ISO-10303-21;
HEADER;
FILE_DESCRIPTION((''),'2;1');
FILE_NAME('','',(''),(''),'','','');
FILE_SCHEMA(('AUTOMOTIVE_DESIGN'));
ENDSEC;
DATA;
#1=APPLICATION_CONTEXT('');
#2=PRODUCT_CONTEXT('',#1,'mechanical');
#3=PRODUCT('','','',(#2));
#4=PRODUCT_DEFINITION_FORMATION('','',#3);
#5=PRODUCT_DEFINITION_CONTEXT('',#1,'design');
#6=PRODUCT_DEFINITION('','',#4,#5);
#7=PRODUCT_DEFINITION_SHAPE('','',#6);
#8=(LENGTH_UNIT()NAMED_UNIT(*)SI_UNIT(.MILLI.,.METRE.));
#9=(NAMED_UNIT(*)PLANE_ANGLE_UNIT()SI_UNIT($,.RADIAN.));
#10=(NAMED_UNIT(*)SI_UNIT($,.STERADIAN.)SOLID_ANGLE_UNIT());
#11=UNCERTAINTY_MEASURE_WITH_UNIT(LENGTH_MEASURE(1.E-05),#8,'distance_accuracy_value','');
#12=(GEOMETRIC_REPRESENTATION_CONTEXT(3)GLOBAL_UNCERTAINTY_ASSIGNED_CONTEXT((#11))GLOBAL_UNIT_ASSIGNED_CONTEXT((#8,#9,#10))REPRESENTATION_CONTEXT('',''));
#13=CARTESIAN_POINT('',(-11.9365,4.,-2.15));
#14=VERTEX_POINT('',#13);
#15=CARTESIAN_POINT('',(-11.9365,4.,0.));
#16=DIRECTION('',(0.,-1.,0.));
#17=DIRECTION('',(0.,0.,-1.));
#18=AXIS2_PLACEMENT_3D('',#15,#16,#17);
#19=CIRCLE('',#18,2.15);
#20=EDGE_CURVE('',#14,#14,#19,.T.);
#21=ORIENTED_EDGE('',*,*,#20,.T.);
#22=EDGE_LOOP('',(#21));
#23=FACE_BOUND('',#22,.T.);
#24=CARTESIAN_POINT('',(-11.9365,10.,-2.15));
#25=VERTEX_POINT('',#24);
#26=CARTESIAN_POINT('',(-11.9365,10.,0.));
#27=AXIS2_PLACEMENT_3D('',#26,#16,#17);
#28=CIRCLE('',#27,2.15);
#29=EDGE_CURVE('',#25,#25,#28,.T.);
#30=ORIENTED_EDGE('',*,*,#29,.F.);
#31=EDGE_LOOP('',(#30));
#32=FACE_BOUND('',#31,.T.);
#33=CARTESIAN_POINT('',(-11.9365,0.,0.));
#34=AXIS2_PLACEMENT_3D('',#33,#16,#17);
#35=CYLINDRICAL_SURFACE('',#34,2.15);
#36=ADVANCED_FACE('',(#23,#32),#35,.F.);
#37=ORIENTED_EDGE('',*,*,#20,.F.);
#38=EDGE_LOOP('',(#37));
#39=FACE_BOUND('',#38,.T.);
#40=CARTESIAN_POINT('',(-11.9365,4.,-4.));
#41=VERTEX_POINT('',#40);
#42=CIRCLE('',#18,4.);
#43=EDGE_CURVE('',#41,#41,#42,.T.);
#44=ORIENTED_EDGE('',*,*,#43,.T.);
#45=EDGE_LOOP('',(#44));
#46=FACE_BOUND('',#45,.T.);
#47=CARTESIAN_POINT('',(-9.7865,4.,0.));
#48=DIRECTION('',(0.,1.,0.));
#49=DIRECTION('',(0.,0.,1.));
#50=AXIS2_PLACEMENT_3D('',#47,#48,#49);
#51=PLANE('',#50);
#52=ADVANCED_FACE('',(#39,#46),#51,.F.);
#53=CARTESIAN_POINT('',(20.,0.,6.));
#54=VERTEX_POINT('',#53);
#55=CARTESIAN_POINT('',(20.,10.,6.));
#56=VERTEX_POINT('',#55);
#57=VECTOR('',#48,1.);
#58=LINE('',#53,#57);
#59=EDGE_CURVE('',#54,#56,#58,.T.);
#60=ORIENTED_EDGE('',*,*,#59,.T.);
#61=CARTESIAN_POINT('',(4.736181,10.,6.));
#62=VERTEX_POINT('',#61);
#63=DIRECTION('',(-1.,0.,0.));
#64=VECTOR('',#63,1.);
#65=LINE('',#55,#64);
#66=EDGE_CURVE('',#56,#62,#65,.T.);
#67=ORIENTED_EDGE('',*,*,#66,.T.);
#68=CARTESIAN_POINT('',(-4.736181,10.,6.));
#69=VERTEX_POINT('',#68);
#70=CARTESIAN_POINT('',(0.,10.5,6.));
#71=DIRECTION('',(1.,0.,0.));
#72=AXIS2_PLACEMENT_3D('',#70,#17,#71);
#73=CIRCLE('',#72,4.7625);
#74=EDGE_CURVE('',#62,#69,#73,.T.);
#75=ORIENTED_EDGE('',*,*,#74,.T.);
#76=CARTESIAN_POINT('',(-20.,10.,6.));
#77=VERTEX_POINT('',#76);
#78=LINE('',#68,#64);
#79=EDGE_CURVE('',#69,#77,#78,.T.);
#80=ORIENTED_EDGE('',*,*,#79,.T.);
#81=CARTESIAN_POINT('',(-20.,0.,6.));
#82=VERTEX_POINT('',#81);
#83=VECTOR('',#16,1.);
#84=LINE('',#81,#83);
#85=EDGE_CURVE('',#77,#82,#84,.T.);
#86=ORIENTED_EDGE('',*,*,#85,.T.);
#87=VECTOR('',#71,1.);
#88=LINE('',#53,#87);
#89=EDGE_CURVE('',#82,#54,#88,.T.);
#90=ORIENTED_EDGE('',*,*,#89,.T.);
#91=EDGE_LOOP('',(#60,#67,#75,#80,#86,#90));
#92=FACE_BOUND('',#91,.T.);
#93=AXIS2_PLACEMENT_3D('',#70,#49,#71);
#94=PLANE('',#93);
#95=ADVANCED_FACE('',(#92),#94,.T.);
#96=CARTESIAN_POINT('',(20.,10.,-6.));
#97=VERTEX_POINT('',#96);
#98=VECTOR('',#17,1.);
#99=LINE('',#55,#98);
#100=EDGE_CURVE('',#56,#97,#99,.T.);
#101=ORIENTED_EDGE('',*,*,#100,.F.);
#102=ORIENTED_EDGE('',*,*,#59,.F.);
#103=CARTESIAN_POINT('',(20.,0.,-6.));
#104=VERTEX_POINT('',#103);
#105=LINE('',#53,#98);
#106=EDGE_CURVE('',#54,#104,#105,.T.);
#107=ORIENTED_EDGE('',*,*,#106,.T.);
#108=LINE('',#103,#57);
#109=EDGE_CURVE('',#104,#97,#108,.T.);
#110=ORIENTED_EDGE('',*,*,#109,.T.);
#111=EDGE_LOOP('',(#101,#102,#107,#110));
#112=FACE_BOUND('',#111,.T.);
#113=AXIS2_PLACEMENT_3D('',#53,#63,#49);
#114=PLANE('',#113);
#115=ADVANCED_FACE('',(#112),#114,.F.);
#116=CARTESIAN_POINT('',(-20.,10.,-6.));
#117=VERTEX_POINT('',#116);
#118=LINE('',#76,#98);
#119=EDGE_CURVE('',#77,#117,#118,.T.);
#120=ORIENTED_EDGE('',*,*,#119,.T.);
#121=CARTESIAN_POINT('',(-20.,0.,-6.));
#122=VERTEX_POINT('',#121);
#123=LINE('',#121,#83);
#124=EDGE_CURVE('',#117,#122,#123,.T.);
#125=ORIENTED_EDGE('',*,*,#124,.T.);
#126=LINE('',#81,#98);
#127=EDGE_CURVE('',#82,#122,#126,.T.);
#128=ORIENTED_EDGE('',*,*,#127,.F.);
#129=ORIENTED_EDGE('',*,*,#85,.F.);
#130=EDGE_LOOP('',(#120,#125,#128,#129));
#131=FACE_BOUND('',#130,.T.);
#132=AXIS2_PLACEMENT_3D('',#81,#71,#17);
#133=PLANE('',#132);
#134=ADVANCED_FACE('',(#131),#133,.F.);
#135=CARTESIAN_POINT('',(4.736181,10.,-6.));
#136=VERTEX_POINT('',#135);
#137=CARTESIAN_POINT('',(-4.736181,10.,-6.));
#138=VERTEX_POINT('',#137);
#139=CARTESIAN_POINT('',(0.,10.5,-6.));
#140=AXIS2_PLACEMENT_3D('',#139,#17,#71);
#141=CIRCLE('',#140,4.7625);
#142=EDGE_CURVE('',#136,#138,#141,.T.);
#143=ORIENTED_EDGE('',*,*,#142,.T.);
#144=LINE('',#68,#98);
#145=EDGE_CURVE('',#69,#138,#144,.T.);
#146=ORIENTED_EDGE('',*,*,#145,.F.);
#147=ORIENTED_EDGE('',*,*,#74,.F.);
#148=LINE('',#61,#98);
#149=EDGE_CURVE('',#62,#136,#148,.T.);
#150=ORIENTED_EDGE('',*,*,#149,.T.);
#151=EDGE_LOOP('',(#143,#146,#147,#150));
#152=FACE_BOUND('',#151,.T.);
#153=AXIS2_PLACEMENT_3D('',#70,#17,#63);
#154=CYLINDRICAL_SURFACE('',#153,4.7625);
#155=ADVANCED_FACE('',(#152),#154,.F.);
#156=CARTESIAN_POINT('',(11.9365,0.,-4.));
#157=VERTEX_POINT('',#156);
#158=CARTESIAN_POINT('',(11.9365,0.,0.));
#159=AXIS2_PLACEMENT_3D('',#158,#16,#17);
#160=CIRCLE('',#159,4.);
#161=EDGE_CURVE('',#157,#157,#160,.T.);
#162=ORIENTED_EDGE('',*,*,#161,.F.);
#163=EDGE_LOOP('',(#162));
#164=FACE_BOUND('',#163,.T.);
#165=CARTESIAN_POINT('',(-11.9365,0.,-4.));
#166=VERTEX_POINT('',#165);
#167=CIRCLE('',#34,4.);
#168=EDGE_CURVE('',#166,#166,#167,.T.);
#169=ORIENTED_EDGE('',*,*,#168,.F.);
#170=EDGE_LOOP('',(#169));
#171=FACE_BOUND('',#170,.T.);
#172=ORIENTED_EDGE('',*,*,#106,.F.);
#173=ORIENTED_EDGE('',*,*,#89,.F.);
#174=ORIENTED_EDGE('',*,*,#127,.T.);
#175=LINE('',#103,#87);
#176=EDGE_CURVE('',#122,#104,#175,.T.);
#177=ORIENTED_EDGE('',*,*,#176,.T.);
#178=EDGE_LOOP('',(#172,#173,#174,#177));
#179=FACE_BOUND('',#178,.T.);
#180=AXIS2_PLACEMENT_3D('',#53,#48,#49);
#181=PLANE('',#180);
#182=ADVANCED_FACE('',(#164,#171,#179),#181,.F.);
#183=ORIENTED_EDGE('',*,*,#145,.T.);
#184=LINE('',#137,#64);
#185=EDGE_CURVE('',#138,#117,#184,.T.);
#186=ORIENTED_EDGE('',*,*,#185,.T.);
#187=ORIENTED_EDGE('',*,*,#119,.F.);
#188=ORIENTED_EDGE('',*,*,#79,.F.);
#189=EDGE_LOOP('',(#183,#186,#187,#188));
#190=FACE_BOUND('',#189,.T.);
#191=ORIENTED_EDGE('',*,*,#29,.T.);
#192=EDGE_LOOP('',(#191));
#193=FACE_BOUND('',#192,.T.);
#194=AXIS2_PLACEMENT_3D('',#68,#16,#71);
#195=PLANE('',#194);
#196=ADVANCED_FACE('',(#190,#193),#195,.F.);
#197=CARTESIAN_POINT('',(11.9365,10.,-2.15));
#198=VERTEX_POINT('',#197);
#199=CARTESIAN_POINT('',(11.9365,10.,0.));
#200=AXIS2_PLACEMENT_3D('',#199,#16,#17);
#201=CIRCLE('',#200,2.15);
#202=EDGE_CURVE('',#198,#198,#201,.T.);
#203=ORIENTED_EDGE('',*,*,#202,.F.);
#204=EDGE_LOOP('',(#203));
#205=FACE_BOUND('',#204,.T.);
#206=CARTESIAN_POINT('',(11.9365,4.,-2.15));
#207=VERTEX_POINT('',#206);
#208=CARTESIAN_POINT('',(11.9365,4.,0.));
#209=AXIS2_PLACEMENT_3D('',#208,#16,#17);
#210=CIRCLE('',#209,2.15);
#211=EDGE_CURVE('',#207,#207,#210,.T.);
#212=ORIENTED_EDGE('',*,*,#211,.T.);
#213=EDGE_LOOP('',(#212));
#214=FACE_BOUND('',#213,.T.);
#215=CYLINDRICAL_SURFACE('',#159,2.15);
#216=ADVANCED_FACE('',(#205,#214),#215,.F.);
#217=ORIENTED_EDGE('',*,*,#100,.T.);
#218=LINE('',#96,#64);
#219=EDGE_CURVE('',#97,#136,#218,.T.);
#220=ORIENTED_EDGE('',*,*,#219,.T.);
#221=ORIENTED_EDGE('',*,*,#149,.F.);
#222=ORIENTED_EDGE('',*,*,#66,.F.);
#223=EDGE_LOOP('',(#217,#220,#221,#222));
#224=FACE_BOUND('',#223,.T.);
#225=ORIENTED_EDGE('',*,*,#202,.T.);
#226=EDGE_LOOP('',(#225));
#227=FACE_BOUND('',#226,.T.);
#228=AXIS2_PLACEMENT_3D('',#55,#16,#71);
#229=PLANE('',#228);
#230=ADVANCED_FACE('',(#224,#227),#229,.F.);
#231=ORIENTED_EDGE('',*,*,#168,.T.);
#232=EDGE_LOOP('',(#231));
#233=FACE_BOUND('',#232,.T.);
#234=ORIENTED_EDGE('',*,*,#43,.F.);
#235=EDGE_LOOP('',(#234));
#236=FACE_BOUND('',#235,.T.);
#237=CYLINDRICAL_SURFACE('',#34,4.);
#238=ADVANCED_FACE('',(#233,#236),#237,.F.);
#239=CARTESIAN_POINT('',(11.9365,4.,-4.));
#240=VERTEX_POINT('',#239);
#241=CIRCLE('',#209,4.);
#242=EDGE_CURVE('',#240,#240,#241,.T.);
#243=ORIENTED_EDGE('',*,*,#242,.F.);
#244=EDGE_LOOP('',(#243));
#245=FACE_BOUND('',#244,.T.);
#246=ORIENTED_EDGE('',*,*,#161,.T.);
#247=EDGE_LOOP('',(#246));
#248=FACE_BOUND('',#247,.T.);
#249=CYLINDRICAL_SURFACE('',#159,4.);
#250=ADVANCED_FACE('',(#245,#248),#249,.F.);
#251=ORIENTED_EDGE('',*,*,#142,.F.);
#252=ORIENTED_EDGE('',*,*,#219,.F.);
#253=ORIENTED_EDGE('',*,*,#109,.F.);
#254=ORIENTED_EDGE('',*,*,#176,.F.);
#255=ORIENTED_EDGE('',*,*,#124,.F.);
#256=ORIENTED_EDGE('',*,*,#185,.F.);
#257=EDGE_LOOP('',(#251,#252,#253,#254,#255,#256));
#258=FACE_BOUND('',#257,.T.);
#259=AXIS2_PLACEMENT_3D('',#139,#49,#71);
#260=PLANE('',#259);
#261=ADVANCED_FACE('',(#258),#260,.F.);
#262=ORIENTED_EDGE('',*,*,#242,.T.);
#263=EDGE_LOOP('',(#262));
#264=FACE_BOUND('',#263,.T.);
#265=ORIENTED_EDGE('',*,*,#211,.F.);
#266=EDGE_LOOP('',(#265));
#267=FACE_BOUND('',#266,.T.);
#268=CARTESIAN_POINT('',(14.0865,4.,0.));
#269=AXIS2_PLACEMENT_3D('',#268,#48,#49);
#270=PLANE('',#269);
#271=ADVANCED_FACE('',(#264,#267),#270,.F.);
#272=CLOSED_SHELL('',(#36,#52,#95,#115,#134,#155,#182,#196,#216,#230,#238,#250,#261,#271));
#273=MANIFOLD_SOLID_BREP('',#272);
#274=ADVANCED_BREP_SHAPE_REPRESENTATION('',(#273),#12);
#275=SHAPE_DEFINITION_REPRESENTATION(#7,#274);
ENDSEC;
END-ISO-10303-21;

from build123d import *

# Parameters (mm, degrees)
BOSS_EXTRUDE1_DEPTH            = 6
CBORE_FOR_M4_SHCS1_D           = 4.3
CBORE_FOR_M4_SHCS1_CBORE_D     = 8
CBORE_FOR_M4_SHCS1_CBORE_DEPTH = 4


with BuildPart() as part:
    # Sketch1 → Boss-Extrude1 (new, symmetric)
    with BuildSketch(Plane.XY):
        with BuildLine():
            Line((20, 0), (-20, 0))
            Line((-20, 0), (-20, 10))
            Line((-20, 10), (-4.736180555, 10))
            ThreePointArc((-4.736180555, 10), (0, 5.7375), (4.736180555, 10))
            Line((4.736180555, 10), (20, 10))
            Line((20, 10), (20, 0))
        make_face()
    extrude(amount=BOSS_EXTRUDE1_DEPTH, both=True)

    # CBORE for M4 SHCS1 (through all)
    with Locations(Plane.XZ):
        with Locations((-11.9365, 0), (11.9365, 0)):
            CounterBoreHole(CBORE_FOR_M4_SHCS1_D / 2, CBORE_FOR_M4_SHCS1_CBORE_D / 2, CBORE_FOR_M4_SHCS1_CBORE_DEPTH)


solid = part.part
